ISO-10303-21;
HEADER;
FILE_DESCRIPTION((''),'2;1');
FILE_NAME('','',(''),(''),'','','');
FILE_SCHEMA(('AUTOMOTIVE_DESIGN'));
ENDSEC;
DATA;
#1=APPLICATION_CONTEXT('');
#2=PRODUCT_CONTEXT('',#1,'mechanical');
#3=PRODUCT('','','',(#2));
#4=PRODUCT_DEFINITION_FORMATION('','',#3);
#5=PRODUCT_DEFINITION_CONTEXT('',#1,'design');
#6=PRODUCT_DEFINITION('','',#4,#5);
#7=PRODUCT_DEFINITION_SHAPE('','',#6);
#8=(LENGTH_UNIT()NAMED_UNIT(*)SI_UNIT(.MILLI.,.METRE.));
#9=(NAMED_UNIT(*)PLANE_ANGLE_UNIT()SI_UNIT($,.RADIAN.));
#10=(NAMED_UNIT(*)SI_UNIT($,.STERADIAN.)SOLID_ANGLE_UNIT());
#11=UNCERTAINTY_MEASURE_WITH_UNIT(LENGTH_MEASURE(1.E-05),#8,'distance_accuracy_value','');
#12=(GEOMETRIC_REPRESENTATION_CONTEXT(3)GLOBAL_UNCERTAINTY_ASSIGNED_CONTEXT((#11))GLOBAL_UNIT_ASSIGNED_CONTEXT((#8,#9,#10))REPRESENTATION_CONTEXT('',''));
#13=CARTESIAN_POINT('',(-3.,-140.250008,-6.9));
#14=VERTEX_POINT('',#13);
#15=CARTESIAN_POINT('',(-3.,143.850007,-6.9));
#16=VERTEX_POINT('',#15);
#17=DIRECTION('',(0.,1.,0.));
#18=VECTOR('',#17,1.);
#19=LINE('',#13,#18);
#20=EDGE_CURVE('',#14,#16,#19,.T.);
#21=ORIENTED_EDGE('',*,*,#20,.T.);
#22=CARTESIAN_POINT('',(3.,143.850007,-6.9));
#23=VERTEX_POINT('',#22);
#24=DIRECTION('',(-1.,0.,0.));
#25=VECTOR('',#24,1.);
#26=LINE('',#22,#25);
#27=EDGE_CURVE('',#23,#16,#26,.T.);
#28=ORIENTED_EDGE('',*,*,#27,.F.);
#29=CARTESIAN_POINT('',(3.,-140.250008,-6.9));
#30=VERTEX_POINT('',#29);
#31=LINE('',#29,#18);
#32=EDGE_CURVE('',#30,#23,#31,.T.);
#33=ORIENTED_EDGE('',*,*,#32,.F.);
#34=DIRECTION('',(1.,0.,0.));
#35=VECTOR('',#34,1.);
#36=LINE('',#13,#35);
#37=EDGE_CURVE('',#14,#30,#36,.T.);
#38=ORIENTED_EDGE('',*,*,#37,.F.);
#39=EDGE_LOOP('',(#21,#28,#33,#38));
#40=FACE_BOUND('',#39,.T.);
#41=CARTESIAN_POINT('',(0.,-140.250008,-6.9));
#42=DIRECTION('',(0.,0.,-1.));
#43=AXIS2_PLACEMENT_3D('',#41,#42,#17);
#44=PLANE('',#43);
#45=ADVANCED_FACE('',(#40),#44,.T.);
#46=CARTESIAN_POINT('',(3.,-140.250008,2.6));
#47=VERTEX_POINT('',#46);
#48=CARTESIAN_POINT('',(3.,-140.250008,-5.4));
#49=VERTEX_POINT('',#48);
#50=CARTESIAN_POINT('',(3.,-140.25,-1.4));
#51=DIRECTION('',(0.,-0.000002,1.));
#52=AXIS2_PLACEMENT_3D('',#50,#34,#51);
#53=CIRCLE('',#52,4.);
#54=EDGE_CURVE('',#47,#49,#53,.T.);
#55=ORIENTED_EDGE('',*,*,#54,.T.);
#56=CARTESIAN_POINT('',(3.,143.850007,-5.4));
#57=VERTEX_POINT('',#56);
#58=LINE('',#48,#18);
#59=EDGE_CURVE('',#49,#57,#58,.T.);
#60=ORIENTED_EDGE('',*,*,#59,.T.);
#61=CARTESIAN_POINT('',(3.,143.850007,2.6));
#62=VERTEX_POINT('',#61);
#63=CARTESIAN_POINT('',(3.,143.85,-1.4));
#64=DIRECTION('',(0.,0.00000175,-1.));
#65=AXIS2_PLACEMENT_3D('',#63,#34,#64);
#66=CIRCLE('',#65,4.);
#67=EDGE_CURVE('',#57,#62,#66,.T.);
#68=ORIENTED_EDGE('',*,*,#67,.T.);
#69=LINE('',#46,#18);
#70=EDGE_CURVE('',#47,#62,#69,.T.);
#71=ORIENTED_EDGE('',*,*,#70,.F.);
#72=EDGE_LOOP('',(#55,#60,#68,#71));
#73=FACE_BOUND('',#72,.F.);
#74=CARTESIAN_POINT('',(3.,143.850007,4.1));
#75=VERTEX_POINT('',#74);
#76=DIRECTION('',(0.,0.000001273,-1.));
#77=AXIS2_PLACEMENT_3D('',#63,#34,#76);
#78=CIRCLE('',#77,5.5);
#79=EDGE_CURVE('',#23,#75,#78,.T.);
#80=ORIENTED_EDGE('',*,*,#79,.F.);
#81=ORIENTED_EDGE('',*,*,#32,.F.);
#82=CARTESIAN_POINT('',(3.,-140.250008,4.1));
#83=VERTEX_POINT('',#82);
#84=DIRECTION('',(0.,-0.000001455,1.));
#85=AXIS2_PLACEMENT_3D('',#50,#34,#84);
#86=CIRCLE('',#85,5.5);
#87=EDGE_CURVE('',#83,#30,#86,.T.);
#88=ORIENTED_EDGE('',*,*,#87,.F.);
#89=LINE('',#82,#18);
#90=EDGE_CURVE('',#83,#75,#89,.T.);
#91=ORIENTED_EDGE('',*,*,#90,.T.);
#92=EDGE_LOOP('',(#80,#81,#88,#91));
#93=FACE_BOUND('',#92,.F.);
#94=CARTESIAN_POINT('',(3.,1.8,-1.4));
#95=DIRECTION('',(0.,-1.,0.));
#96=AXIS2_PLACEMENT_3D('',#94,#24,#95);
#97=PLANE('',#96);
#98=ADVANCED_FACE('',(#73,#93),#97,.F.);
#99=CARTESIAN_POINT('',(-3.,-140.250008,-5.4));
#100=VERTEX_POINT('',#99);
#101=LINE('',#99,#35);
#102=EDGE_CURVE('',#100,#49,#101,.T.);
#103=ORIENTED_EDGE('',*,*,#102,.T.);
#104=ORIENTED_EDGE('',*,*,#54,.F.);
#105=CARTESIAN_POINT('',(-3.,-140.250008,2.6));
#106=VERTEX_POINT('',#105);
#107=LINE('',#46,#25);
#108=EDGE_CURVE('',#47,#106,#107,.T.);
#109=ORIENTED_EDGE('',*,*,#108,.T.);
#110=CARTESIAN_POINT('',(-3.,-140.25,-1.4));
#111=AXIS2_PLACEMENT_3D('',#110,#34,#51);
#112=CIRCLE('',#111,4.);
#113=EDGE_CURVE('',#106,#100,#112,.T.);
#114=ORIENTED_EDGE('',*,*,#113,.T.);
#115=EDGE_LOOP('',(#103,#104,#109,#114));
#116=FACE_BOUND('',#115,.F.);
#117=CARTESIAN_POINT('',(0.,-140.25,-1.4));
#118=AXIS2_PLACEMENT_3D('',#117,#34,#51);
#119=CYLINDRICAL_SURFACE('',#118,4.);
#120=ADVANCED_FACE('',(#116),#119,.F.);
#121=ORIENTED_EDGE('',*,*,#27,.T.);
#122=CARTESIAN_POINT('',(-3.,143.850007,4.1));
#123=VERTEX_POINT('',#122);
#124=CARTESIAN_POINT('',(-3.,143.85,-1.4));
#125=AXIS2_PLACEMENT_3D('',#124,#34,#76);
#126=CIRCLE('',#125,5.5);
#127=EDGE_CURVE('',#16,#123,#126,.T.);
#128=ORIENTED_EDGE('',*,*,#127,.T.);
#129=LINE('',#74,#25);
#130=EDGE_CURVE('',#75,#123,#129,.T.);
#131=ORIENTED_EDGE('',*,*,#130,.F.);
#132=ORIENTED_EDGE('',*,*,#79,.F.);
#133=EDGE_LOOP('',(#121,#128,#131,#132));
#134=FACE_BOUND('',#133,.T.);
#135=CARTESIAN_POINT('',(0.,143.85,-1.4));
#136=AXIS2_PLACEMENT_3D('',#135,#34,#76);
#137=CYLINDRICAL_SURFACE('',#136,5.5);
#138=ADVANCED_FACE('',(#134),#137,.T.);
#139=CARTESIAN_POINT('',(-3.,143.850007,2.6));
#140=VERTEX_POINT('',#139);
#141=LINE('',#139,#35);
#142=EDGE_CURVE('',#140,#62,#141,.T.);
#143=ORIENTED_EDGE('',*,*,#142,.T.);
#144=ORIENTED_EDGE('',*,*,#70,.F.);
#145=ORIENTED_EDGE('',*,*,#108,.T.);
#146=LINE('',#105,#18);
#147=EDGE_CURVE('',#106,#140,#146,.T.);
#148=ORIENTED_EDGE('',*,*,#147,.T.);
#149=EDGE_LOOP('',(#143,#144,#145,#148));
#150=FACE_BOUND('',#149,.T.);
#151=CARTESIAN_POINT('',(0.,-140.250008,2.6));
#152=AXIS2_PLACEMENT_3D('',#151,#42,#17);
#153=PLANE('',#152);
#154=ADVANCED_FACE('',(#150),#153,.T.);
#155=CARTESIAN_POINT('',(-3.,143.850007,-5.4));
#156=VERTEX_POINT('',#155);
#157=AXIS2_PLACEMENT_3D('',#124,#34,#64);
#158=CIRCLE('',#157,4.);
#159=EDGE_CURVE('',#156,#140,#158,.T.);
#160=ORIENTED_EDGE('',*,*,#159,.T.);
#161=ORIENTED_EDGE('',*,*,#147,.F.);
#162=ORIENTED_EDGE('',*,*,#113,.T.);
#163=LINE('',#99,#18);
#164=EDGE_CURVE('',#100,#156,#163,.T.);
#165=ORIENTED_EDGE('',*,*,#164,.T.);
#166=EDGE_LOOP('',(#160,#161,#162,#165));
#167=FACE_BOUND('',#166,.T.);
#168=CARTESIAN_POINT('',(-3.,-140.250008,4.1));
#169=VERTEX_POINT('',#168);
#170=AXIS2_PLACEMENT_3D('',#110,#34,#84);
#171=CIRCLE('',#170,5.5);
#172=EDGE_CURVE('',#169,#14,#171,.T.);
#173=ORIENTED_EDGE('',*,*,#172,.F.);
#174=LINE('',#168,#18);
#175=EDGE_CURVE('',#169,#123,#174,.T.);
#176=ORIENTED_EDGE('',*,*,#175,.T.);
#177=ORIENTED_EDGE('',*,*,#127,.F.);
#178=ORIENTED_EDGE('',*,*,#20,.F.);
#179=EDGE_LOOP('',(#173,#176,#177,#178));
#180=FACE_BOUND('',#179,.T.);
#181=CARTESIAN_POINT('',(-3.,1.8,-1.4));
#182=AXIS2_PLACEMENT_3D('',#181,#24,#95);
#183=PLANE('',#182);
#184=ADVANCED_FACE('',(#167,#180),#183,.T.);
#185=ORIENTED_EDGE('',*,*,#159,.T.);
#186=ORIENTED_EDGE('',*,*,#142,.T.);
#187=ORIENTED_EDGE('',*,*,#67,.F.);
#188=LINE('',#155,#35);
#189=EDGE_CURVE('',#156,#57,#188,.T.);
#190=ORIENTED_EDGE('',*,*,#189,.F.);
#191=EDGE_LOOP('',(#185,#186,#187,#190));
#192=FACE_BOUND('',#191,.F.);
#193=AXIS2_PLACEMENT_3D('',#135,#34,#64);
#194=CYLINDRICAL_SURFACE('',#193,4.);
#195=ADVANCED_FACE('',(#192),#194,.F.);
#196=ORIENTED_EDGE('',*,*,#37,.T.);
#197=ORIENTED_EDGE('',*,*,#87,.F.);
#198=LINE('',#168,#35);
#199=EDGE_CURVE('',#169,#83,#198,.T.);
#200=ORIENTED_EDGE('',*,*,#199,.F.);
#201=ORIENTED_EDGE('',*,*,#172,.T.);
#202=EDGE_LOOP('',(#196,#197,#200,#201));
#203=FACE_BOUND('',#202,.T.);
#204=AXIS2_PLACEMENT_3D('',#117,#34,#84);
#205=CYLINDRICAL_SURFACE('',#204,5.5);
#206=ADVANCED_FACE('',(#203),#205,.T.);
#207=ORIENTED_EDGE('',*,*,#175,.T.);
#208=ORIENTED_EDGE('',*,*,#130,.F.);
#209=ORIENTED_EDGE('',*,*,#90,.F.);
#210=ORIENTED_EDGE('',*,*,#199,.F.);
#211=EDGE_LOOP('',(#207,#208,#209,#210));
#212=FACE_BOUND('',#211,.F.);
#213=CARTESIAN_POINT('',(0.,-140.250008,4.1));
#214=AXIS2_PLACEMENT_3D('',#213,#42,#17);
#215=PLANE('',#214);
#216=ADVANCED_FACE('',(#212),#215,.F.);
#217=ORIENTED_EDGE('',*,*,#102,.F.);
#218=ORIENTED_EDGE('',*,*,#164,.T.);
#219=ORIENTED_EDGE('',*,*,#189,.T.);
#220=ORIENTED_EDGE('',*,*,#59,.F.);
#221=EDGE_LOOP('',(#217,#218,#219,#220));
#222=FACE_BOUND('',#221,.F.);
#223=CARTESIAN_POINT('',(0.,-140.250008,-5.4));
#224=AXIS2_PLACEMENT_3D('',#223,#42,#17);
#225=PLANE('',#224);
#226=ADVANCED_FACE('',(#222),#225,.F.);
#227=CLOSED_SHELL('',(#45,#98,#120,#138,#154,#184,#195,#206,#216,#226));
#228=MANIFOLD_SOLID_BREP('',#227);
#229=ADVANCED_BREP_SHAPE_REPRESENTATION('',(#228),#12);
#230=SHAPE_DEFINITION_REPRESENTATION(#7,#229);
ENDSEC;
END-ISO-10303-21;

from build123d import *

# Parameters (mm, degrees)
PAD_DEPTH = 3


with BuildPart() as part:
    # Sketch → Pad (new body, symmetric)
    with BuildSketch(Plane.YZ):
        with BuildLine():
            Line((-140.250008, 5.5), (143.850007, 5.5))
            ThreePointArc((143.850007, -5.5), (149.35, 0), (143.850007, 5.5))
            Line((-140.250008, -5.5), (143.850007, -5.5))
            ThreePointArc((-140.250008, 5.5), (-145.75, 0), (-140.250008, -5.5))
        make_face()
        with BuildLine():
            Line((-140.250008, 4), (143.850007, 4))
            ThreePointArc((143.850007, -4), (147.85, 0), (143.850007, 4))
            Line((-140.250008, -4), (143.850007, -4))
            ThreePointArc((-140.250008, 4), (-144.25, 0), (-140.250008, -4))
        make_face(mode=Mode.SUBTRACT)
    extrude(amount=PAD_DEPTH, both=True)


with BuildPart() as part_1:
    # Body placement: moved
    add(part.part.moved(Location((0, 0, -1.4))))


solid = part_1.part
